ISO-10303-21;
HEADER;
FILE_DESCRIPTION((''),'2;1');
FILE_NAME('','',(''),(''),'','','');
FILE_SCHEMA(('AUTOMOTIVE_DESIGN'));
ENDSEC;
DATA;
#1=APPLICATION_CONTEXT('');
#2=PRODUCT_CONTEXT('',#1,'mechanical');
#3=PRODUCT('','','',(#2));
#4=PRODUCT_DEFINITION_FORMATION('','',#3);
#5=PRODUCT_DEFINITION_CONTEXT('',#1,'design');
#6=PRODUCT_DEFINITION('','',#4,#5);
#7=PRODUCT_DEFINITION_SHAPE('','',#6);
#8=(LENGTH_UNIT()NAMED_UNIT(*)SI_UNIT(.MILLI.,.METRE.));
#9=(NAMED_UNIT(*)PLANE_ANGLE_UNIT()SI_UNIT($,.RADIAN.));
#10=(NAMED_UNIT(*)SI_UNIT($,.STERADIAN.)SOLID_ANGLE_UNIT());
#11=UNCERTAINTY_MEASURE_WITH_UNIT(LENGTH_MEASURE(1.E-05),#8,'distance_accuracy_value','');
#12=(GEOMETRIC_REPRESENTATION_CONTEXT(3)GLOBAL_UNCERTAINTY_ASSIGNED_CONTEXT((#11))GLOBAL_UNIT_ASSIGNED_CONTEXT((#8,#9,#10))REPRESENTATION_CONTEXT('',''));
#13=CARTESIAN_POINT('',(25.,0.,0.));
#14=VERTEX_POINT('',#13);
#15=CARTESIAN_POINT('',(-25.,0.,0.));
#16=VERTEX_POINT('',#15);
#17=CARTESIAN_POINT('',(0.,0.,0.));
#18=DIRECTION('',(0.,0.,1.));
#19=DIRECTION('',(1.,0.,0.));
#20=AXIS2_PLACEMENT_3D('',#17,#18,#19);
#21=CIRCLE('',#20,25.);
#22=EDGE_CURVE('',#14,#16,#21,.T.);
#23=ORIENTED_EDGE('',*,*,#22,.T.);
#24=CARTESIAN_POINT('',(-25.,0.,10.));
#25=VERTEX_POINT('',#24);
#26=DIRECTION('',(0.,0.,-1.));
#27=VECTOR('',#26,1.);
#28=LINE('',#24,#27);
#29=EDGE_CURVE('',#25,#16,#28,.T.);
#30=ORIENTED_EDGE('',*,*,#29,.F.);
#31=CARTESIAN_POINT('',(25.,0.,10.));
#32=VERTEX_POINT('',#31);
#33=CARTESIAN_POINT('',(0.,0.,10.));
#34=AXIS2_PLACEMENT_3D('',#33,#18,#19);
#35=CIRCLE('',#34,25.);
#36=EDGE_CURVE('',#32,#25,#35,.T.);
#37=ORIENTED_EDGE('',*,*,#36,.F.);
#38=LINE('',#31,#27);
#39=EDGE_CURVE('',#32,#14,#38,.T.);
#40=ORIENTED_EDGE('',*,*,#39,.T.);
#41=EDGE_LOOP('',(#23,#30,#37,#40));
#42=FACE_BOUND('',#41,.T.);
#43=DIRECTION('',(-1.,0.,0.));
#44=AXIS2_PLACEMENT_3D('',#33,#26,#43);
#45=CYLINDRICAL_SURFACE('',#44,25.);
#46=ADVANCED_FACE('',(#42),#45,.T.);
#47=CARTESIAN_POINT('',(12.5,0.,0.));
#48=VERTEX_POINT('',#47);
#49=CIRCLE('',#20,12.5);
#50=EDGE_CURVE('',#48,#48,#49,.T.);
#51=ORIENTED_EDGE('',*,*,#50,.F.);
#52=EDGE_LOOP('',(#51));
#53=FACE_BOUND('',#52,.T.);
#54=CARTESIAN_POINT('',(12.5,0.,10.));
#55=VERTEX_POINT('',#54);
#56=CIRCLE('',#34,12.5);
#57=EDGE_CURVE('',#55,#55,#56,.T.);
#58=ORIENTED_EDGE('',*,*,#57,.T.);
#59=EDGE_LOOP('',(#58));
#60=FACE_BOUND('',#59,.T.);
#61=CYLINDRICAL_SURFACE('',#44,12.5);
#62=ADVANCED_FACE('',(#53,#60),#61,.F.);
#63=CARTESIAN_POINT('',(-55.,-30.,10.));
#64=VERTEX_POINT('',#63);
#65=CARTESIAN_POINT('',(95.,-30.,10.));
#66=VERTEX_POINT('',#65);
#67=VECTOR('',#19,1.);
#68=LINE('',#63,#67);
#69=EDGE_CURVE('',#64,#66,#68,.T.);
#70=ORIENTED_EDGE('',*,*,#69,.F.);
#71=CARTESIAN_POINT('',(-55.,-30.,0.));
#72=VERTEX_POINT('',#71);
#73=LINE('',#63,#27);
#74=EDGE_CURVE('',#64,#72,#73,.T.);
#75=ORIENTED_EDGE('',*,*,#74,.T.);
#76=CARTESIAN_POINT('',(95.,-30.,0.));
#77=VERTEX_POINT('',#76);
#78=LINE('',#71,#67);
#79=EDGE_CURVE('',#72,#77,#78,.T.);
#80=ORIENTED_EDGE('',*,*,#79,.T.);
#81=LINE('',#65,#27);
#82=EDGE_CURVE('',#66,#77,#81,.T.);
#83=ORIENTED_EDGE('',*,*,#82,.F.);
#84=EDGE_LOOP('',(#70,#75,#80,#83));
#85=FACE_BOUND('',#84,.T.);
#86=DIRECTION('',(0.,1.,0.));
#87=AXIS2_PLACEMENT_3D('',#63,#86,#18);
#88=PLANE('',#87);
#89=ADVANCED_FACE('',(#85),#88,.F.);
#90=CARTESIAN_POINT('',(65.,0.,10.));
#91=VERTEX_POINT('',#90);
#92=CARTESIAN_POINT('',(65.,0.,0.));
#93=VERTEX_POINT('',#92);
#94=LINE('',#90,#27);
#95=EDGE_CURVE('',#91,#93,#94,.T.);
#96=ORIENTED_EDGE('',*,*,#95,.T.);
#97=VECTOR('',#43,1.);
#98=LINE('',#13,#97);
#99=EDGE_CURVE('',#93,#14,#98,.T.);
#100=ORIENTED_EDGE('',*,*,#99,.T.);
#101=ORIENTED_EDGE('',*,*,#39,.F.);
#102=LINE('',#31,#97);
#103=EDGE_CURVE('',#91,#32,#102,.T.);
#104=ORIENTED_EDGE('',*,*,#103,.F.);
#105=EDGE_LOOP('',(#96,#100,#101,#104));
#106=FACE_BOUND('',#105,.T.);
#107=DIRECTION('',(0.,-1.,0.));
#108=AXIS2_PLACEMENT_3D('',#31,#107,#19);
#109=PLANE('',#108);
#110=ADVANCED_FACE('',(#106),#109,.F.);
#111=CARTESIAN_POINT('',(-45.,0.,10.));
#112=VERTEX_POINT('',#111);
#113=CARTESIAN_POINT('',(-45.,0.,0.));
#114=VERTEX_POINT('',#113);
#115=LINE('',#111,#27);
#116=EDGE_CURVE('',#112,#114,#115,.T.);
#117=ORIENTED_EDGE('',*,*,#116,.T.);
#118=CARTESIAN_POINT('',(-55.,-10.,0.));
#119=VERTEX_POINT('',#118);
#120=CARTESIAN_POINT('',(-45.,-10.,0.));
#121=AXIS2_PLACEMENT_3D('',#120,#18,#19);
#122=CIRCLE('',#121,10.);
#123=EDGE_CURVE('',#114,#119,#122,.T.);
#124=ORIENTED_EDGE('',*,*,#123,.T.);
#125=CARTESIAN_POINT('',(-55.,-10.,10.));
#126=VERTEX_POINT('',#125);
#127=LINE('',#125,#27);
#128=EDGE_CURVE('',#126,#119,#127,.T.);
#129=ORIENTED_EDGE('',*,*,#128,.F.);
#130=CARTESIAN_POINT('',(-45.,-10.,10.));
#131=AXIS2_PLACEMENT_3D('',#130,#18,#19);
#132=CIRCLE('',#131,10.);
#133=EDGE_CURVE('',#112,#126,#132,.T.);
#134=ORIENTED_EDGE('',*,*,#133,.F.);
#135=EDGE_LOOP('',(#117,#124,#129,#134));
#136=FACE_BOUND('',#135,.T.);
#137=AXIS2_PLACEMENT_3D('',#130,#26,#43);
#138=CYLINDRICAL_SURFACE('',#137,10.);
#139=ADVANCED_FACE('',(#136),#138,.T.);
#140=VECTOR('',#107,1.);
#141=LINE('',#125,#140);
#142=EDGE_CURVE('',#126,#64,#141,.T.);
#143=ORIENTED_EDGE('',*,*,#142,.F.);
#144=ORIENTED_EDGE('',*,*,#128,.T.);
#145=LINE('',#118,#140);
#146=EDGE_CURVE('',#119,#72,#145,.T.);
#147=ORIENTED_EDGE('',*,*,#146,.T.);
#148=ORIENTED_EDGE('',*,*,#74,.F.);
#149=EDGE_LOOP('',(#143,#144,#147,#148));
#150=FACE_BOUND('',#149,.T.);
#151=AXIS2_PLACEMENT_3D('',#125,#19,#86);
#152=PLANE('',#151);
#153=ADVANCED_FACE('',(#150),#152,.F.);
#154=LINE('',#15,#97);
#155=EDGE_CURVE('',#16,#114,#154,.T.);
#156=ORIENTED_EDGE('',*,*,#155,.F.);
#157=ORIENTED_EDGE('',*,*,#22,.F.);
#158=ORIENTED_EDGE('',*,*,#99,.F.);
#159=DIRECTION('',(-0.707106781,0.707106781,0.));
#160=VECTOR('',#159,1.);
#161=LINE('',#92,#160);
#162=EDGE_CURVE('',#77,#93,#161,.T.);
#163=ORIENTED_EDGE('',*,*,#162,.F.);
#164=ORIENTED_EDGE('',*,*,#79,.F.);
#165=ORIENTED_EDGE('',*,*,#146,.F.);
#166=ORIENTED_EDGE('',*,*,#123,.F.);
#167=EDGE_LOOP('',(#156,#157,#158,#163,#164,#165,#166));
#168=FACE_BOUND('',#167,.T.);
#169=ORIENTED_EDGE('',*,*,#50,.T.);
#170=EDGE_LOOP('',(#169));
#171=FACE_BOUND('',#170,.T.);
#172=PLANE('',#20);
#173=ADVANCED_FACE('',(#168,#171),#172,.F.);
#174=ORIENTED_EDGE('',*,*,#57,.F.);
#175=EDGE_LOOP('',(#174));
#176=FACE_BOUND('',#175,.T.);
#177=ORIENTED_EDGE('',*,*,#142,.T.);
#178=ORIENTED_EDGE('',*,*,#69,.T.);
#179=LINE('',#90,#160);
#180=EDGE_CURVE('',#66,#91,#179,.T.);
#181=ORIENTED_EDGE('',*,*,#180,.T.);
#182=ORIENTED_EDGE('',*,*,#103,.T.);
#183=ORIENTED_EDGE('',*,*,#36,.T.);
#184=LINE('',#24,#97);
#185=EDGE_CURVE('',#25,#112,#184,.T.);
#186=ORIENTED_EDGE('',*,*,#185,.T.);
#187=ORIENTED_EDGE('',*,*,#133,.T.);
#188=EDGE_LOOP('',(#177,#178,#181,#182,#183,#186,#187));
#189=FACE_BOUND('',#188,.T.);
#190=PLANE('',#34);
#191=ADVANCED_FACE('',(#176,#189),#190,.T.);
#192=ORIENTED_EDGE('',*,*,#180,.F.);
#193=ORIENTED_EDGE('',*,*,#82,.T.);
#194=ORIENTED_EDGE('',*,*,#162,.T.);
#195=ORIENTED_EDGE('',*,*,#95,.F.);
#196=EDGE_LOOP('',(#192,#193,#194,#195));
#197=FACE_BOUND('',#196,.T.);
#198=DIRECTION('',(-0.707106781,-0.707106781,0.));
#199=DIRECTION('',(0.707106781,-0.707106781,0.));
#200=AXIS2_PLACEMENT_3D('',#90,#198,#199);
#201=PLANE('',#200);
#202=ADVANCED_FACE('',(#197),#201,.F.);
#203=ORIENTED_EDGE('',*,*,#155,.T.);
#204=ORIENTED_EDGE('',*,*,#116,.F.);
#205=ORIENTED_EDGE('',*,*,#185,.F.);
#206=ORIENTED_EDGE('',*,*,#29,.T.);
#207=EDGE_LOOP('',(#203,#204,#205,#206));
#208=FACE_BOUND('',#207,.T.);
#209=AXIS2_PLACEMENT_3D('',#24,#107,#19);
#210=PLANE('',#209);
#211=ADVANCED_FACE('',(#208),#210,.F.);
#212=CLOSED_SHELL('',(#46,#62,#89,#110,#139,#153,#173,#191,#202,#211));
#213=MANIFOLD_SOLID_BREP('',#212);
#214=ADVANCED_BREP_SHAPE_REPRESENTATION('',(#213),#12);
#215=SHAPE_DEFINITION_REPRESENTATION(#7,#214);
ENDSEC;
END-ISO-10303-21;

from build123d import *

# Parameters (mm, degrees)
SKETCH1_R           = 12.5
BOSS_EXTRUDE1_DEPTH = 10


with BuildPart() as part:
    # Sketch1 → Boss-Extrude1 (new body)
    with BuildSketch(Plane.XY):
        with BuildLine():
            Line((-25, 0), (-45, 0))
            ThreePointArc((-45, 0), (-52.071067812, -2.928932188), (-55, -10))
            Line((-55, -10), (-55, -30))
            Line((-55, -30), (95, -30))
            Line((95, -30), (65, 0))
            Line((65, 0), (25, 0))
            ThreePointArc((25, 0), (0, 25), (-25, 0))
        make_face()
        Circle(SKETCH1_R, mode=Mode.SUBTRACT)
    extrude(amount=BOSS_EXTRUDE1_DEPTH)


solid = part.part
